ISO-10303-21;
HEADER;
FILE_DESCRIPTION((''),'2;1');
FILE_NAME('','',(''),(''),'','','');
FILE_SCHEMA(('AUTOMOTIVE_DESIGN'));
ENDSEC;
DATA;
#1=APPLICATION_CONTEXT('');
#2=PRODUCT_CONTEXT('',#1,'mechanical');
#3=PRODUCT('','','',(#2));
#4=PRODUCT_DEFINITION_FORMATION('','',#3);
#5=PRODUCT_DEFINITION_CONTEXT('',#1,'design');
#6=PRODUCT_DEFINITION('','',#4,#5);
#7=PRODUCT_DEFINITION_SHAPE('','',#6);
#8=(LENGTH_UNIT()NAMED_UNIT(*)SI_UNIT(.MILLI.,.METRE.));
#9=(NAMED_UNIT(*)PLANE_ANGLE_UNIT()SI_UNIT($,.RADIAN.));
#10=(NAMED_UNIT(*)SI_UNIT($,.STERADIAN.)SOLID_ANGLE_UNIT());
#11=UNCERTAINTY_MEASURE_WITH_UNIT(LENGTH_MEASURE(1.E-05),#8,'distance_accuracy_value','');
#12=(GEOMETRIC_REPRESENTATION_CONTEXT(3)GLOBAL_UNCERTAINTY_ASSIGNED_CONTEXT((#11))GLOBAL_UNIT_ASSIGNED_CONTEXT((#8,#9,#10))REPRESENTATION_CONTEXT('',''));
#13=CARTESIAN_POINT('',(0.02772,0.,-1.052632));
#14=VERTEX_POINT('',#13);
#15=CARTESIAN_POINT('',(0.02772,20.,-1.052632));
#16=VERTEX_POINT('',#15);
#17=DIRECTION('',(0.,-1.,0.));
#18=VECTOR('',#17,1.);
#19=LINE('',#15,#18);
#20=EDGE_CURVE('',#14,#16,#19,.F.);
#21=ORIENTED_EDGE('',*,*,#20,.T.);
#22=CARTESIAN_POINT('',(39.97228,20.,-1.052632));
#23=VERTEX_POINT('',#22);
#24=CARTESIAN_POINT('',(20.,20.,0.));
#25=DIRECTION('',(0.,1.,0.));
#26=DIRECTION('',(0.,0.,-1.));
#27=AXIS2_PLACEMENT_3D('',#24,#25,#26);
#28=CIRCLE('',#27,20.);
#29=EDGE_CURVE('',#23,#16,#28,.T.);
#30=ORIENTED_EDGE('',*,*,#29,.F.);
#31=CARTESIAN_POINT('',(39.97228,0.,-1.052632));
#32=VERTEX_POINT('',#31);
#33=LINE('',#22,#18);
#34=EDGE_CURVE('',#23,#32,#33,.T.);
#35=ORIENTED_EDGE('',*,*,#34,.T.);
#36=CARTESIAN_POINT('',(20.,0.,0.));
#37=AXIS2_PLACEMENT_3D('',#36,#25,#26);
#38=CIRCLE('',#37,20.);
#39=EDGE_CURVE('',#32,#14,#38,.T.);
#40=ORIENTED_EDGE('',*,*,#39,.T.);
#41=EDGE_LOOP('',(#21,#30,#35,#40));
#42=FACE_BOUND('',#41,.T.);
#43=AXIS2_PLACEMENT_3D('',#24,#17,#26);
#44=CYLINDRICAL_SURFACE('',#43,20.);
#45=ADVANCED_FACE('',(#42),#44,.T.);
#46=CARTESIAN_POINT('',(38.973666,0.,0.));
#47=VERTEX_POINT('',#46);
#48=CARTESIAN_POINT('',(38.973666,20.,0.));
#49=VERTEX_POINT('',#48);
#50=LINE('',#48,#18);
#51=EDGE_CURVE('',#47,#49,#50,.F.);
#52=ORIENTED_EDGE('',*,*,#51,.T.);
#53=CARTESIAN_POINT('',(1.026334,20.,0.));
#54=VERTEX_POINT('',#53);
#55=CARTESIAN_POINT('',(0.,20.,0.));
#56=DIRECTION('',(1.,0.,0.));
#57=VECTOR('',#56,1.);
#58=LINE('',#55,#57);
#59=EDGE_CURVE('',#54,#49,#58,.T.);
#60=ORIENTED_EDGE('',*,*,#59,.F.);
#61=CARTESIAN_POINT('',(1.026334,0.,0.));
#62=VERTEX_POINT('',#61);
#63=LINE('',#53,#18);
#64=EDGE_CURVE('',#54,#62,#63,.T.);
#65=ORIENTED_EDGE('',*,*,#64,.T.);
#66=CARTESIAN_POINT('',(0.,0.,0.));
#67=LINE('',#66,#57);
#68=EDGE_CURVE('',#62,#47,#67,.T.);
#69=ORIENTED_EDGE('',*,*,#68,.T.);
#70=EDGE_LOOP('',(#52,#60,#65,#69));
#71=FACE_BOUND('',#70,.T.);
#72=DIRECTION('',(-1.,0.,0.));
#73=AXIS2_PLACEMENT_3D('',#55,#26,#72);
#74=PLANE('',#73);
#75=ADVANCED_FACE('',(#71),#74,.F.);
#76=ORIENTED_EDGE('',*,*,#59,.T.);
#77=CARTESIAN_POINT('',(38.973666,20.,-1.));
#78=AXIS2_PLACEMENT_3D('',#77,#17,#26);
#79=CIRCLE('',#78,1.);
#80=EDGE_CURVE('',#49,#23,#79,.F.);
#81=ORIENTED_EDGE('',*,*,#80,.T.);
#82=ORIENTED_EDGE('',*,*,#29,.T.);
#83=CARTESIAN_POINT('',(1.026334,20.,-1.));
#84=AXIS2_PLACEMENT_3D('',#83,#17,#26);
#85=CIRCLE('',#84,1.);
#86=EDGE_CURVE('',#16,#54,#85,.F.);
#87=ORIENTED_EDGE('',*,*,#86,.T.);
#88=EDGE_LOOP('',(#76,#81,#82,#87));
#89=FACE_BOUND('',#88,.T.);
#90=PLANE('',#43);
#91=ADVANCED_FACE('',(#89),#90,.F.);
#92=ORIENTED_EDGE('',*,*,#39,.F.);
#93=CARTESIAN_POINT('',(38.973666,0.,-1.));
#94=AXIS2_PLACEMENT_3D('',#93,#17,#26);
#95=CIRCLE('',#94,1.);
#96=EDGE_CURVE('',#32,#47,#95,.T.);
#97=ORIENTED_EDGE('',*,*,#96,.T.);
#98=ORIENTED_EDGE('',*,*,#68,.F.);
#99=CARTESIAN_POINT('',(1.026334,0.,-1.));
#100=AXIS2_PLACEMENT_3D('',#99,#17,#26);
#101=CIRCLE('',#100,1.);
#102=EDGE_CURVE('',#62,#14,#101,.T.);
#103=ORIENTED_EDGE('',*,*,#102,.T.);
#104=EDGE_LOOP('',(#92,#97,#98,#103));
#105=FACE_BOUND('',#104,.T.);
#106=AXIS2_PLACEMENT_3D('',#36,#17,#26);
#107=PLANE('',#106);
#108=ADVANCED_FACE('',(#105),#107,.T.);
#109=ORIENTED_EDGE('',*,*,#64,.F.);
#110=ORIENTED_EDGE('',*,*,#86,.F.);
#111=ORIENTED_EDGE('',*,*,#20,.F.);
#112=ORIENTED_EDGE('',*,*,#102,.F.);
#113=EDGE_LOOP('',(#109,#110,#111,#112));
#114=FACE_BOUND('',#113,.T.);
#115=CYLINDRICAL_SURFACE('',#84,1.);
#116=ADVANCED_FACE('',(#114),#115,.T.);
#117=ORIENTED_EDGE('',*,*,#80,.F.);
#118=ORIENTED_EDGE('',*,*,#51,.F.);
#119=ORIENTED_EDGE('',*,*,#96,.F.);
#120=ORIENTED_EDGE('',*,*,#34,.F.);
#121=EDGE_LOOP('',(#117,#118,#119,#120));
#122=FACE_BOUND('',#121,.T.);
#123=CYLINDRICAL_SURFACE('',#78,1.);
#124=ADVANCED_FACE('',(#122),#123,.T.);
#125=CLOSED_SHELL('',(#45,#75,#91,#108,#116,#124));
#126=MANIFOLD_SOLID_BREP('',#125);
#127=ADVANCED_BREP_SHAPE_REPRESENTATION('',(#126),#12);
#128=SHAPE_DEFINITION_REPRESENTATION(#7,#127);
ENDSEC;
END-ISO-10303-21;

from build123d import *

# Parameters (mm, degrees)
BOSS_EXTRUDE1_DEPTH = 20
FILLET1_R           = 1


with BuildPart() as part:
    # Sketch1 → Boss-Extrude1 (new body)
    with BuildSketch(Plane(origin=(0, 0, 0), x_dir=(1, 0, 0), z_dir=(0, 1, 0))):
        with BuildLine():
            Line((0, 0), (40, 0))
            ThreePointArc((40, 0), (20, 20), (0, 0))
        make_face()
    extrude(amount=BOSS_EXTRUDE1_DEPTH)

    # Fillet1
    fillet1_edges = [part.edges().sort_by_distance(p)[0] for p in [
        (40, 10, 0),
        (0, 10, 0),
    ]]
    fillet(fillet1_edges, radius=FILLET1_R)


solid = part.part
